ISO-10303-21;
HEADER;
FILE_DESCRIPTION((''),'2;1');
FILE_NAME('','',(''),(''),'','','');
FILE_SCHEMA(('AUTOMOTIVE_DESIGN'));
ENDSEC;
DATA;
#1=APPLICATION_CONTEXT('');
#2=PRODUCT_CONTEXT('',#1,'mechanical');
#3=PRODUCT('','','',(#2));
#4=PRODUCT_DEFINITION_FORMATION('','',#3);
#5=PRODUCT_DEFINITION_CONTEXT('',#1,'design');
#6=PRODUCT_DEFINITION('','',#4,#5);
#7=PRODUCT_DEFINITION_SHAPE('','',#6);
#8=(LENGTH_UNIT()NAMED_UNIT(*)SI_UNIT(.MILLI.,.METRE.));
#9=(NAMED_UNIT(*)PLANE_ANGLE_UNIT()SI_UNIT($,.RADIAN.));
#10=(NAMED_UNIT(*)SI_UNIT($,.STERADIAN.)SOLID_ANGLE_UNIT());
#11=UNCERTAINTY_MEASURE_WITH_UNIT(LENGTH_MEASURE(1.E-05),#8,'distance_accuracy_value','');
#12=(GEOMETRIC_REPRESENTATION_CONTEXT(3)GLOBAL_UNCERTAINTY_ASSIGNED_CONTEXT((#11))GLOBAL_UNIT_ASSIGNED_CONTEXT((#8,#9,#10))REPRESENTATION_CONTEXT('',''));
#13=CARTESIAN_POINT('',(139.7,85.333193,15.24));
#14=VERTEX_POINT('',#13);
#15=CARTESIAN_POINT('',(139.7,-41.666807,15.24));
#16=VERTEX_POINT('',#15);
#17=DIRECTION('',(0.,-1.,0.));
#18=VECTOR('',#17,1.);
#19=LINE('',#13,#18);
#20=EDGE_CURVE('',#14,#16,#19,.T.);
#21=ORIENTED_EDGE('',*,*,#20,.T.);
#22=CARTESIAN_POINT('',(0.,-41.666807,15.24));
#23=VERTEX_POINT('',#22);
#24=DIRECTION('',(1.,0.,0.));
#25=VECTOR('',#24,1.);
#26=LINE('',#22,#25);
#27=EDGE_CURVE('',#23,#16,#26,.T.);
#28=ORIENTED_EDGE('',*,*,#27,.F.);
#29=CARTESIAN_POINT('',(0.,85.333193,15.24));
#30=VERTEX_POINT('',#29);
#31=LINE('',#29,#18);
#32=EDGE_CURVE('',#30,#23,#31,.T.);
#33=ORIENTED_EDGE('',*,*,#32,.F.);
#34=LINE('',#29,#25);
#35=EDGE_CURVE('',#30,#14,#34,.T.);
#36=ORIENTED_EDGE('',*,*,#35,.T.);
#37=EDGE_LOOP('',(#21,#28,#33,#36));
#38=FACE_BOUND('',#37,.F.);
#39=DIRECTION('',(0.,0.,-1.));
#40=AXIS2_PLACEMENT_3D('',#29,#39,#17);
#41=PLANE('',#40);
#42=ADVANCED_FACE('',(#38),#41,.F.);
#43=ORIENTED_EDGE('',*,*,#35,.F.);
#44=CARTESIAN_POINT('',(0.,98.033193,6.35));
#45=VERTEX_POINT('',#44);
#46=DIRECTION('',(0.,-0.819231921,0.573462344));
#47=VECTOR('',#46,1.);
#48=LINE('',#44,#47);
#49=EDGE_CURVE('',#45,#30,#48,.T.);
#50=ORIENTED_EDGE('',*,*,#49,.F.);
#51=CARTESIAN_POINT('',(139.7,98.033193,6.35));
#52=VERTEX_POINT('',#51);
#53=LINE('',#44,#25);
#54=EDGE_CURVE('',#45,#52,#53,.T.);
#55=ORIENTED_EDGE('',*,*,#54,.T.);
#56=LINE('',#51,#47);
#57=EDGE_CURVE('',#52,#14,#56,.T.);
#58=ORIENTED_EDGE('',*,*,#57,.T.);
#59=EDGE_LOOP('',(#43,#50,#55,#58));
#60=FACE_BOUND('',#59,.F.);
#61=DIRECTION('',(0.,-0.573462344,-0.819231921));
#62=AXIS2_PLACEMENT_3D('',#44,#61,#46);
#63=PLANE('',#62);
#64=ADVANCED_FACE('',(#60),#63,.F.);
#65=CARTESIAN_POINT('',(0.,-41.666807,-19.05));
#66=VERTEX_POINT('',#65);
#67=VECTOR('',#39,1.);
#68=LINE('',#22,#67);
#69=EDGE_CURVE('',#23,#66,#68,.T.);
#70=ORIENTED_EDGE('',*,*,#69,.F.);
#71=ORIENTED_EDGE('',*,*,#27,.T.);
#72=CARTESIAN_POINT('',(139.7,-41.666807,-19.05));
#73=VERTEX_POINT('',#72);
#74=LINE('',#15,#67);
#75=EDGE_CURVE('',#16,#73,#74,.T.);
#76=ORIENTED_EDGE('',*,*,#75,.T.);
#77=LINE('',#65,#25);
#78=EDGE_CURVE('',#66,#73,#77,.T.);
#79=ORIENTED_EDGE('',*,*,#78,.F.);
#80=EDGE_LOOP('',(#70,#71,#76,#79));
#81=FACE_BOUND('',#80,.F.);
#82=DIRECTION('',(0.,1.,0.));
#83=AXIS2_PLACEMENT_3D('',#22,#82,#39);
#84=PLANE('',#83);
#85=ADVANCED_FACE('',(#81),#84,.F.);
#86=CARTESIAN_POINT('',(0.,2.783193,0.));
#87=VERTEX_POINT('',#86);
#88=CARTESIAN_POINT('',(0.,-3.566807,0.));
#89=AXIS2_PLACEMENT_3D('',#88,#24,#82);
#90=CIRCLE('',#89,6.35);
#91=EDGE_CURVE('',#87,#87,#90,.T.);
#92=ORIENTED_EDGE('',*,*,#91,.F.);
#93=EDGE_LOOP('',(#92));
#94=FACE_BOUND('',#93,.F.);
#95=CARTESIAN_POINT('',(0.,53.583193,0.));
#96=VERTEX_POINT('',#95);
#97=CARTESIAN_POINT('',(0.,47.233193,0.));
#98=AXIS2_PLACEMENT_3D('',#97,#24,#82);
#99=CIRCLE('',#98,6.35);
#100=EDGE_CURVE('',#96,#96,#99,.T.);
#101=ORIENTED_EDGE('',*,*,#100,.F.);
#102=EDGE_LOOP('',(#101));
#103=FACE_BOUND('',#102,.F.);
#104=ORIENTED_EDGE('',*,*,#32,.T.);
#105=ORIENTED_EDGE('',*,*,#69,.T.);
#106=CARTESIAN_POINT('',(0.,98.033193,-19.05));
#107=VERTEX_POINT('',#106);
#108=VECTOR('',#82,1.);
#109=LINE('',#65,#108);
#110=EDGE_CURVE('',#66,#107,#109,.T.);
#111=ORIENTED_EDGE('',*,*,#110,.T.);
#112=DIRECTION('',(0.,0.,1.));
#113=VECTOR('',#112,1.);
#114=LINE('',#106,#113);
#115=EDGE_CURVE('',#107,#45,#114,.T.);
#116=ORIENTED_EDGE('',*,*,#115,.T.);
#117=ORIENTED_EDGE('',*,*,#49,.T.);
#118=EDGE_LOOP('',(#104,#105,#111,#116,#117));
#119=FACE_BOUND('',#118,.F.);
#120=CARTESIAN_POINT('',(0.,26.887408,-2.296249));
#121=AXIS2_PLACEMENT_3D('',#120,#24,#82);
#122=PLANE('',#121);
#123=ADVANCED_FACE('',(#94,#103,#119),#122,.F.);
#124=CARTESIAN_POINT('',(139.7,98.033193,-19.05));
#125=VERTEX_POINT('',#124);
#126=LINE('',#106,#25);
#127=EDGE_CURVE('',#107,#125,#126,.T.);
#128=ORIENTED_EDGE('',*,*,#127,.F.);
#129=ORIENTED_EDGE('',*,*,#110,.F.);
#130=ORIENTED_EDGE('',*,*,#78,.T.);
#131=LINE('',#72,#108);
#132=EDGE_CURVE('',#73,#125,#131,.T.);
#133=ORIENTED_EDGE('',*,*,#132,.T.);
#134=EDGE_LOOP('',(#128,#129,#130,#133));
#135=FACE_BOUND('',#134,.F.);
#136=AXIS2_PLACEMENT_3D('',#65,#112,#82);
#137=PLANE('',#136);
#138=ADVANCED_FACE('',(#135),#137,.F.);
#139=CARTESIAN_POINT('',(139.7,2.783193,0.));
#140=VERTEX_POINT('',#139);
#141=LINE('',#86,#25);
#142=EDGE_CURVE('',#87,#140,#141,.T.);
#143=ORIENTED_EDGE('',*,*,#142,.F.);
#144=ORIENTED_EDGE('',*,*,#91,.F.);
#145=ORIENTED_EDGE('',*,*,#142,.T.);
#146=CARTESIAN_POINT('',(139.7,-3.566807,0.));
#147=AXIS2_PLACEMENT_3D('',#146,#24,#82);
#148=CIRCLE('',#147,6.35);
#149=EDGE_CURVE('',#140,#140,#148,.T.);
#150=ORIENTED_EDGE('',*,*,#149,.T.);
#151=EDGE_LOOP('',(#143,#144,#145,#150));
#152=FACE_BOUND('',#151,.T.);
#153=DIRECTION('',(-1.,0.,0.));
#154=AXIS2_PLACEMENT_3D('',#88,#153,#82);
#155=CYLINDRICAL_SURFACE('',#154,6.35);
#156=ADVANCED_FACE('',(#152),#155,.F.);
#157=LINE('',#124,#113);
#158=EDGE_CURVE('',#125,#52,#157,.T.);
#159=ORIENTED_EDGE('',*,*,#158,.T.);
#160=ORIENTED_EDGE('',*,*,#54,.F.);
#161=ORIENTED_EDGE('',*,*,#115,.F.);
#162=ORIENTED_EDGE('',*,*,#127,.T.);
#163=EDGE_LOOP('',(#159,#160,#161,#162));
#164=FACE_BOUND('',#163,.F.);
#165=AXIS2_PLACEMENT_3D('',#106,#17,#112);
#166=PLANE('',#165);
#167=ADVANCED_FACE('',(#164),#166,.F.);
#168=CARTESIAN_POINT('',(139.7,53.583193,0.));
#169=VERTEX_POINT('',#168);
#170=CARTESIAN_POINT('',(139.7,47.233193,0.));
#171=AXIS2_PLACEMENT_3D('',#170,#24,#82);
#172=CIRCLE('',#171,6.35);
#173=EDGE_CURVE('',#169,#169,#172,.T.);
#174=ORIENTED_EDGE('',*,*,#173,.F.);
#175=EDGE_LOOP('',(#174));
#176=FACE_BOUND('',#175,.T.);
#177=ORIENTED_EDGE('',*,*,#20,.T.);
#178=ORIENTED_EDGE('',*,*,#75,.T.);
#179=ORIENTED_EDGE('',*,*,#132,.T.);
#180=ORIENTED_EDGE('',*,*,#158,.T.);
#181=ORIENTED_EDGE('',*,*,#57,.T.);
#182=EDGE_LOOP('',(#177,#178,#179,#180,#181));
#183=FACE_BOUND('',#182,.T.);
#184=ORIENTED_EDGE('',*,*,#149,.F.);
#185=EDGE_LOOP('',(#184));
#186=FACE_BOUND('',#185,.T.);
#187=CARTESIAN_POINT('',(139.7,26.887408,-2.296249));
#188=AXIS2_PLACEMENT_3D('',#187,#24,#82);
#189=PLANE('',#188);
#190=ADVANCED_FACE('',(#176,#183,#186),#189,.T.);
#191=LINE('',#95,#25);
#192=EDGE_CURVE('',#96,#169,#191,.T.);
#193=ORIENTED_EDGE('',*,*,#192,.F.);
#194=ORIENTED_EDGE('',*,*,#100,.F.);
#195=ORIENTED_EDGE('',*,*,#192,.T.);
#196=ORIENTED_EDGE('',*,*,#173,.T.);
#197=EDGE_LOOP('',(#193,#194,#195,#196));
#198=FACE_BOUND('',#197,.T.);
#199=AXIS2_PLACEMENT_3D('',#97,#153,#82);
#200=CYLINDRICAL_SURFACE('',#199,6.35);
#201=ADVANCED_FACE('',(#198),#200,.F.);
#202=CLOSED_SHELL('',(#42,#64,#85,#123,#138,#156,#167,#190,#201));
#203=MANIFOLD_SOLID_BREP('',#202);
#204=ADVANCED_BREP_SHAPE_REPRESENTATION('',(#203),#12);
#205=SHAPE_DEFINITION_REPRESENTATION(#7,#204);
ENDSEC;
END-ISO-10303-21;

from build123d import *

# Parameters (mm, degrees)
F0_R     = 6.35
F1_DEPTH = 139.7


with BuildPart() as f1:
    # F0 (on Right) → F1 (new body)
    with BuildSketch(Plane.YZ):
        Polygon((98.033193, 6.35), (85.333193, 15.24), (-41.666807, 15.24), (-41.666807, -19.05), (98.033193, -19.05), align=None)
        with Locations((-3.566807, 0)):
            Circle(F0_R, mode=Mode.SUBTRACT)
        with Locations((47.233193, 0)):
            Circle(F0_R, mode=Mode.SUBTRACT)
    extrude(amount=F1_DEPTH)


solid = f1.part
